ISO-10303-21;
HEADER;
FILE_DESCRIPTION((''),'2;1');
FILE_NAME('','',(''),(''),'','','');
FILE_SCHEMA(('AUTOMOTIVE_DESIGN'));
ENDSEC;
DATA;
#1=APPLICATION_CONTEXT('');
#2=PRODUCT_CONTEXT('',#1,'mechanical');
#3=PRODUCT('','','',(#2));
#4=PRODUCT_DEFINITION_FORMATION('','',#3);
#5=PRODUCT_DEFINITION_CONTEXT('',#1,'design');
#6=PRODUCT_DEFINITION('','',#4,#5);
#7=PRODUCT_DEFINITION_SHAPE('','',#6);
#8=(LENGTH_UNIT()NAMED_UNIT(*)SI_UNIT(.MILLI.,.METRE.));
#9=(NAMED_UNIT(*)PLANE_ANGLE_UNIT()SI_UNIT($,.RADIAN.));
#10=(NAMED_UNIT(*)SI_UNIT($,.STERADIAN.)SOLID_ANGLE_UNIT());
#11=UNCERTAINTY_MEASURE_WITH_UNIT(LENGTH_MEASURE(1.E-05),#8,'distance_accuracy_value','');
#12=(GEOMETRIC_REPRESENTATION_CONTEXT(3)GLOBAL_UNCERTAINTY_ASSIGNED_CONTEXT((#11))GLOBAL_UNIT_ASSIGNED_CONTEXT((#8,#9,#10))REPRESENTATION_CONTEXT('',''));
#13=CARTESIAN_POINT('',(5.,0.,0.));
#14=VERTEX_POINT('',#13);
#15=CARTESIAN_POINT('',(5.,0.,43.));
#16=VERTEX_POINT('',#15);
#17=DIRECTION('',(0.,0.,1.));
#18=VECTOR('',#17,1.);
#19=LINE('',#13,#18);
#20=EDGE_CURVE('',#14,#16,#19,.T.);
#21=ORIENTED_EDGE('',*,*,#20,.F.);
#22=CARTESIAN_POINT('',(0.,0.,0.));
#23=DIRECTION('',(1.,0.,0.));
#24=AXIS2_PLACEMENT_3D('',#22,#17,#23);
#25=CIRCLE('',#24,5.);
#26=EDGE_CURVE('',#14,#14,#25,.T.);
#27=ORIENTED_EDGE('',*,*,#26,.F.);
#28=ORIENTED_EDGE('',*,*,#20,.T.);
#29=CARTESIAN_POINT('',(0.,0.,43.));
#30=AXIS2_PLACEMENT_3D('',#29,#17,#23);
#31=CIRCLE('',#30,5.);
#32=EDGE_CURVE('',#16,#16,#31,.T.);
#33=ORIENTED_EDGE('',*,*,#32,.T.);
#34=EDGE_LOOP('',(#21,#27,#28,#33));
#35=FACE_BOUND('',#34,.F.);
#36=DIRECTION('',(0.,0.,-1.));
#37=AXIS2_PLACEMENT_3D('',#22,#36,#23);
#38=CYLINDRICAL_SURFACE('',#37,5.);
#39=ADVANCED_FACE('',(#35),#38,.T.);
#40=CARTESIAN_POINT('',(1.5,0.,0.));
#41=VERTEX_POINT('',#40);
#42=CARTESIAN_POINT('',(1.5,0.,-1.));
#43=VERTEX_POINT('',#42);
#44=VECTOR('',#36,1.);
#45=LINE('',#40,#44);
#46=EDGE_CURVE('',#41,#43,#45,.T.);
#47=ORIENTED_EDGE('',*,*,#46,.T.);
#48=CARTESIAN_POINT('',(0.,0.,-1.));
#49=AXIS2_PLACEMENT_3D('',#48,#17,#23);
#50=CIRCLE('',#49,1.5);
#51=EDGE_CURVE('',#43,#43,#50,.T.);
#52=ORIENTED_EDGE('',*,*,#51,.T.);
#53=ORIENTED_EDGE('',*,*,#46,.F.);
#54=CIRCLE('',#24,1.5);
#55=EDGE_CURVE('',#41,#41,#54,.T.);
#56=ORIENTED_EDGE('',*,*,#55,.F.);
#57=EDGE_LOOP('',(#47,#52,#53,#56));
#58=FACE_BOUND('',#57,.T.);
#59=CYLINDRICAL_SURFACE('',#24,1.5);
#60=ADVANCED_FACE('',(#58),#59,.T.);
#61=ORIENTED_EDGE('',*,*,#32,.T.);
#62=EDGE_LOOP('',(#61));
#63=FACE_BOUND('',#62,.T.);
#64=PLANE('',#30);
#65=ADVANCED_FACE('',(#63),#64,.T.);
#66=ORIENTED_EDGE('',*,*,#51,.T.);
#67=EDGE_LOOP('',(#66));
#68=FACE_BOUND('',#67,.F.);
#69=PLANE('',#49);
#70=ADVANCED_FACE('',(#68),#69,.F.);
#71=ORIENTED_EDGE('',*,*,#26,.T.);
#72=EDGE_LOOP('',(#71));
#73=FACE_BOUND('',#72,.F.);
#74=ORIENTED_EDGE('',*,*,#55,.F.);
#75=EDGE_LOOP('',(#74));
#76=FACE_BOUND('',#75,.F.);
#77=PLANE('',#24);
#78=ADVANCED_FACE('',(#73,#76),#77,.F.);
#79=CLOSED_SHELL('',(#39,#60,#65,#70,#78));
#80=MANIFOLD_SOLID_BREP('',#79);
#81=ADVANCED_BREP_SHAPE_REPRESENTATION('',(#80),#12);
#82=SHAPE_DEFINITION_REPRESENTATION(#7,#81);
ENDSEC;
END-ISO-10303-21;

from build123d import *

# Parameters (mm, degrees)
F0_R      = 1.5
F1_DEPTH  = 1
F0_R_2    = 5
F1_FACE_R = 1.5
F2_DEPTH  = 43


with BuildPart() as f1:
    # F0 (on Top) → F1 (new body)
    with BuildSketch(Plane.XY):
        Circle(F0_R)
    extrude(amount=-F1_DEPTH)

    # F0 (on Top) + F1_face (on face) → F2 (join)
    with BuildSketch(Plane.XY):
        Circle(F0_R_2)
        Circle(F0_R, mode=Mode.SUBTRACT)
    with BuildSketch(Plane.XY):
        Circle(F1_FACE_R)
    extrude(amount=F2_DEPTH)


solid = f1.part
